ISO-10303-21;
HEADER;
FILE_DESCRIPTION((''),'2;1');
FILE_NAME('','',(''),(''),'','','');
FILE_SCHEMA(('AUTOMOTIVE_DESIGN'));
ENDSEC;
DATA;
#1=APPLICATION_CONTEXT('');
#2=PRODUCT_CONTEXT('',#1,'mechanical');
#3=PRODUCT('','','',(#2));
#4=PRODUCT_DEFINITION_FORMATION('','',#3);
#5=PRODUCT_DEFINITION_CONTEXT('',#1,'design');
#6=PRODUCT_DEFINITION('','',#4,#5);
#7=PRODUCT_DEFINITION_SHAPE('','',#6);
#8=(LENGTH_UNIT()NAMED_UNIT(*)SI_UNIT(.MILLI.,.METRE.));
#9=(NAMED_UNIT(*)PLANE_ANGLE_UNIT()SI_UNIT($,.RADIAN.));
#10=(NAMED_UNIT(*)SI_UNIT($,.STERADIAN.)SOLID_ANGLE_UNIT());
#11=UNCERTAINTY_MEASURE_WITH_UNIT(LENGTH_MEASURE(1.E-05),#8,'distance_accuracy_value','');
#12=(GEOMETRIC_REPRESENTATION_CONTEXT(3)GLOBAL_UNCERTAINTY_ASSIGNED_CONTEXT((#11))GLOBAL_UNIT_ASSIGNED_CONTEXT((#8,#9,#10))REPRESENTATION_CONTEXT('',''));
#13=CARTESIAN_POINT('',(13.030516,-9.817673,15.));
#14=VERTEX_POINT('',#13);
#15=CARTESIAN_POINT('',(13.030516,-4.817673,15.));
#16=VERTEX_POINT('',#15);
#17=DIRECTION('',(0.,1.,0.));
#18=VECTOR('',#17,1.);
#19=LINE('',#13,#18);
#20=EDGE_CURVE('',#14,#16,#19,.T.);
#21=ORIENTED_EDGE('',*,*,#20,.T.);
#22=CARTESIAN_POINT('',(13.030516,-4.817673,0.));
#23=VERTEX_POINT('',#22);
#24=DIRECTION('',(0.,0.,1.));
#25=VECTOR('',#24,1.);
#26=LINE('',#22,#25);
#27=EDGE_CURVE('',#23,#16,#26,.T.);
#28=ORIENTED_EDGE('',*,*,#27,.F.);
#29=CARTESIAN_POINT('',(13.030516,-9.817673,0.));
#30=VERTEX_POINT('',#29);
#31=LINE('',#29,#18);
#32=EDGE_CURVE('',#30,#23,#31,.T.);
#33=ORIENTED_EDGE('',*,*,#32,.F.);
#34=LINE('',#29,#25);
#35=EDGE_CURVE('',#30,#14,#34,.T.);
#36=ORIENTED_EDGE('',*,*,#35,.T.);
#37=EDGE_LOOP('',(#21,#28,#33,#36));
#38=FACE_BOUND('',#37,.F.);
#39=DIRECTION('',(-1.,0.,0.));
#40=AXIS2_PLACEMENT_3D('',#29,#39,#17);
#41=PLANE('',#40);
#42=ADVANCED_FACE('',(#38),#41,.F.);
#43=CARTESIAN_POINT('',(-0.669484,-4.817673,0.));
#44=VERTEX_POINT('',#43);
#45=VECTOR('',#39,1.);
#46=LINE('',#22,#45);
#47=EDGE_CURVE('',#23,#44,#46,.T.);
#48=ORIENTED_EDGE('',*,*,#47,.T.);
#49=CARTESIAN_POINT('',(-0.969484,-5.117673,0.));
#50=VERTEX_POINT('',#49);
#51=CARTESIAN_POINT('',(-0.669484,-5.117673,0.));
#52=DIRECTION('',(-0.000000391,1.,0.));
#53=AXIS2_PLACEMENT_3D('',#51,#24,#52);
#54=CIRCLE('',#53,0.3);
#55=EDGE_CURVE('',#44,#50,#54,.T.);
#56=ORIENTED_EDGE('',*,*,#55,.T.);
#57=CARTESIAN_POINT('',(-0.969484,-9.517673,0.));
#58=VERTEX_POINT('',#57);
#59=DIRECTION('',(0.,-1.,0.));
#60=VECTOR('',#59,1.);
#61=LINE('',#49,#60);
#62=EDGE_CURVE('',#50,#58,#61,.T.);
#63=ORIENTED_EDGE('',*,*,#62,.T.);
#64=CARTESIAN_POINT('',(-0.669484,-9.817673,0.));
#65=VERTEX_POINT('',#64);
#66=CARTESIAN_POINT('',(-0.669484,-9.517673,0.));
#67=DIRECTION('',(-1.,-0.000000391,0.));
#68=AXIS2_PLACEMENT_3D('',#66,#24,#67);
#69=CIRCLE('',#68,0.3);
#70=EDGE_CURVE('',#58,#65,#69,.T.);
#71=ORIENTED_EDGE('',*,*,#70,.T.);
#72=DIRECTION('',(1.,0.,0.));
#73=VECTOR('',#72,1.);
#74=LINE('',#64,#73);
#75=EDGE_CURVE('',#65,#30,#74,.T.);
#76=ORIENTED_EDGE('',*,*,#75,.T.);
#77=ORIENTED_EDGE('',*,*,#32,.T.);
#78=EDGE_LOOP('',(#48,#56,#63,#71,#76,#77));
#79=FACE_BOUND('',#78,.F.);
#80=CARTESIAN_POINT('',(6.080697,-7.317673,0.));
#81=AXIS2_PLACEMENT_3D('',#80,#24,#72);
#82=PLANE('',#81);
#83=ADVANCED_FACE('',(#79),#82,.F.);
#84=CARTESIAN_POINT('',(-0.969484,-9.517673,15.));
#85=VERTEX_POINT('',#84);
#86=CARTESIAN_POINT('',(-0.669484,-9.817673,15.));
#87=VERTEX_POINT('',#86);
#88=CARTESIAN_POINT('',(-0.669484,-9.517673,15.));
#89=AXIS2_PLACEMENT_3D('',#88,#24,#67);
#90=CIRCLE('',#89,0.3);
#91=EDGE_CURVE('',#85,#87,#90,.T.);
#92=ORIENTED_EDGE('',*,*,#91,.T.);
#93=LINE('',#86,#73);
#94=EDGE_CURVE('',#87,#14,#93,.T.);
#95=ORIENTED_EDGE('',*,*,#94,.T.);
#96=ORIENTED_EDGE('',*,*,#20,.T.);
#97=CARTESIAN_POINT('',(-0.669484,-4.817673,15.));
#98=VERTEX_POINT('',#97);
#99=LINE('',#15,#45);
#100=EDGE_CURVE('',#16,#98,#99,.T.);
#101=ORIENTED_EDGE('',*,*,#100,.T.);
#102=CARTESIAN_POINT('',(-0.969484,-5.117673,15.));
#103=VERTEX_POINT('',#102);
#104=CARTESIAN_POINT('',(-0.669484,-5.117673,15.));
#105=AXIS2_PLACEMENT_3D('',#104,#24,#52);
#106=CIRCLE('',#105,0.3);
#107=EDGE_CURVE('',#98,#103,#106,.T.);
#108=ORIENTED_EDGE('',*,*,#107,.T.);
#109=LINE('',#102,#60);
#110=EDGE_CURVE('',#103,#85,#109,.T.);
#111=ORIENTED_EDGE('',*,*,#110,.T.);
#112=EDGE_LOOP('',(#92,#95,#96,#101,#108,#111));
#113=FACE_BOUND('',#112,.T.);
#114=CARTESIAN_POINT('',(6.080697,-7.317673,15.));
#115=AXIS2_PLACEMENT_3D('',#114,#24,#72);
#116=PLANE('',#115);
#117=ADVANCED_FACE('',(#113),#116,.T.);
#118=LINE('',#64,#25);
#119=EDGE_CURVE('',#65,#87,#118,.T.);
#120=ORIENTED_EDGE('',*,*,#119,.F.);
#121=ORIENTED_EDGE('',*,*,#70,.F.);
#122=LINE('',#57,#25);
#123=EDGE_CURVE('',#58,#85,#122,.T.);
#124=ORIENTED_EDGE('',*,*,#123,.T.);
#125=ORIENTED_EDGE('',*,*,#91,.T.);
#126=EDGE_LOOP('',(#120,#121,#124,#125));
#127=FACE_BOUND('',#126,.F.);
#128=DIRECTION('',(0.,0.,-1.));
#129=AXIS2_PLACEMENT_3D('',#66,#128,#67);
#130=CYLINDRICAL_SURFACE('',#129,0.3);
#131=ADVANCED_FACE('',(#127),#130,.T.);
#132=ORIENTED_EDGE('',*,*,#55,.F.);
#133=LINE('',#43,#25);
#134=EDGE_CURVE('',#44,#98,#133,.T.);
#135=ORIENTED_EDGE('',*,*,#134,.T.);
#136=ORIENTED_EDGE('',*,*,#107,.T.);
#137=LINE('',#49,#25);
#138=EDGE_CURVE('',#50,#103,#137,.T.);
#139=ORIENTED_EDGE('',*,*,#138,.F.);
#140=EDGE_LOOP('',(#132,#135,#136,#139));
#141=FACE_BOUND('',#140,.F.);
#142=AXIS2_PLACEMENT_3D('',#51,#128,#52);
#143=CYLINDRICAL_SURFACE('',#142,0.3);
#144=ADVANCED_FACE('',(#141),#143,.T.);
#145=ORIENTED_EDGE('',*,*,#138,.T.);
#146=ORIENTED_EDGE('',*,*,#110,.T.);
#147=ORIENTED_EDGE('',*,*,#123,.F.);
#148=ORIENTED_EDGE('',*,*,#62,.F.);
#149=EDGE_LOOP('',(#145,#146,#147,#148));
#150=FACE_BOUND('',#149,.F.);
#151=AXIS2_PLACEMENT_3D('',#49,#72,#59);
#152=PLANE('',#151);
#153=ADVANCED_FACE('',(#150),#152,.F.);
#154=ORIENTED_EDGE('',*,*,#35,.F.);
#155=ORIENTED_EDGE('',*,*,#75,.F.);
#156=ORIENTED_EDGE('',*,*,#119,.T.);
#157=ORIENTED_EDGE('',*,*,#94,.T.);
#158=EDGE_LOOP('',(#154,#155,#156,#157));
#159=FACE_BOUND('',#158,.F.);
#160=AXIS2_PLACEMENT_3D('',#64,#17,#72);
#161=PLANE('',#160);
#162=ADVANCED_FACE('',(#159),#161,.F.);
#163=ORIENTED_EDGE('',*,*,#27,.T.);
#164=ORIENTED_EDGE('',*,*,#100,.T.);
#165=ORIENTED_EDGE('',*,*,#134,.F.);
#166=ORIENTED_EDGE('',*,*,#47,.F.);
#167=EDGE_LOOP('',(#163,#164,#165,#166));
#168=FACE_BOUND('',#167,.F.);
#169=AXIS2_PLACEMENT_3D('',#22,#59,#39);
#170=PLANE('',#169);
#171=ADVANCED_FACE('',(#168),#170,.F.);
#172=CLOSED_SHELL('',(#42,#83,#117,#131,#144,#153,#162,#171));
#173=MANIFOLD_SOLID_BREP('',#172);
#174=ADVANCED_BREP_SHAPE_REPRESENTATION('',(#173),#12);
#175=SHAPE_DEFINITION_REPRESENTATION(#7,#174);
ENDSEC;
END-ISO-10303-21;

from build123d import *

# Parameters (mm, degrees)
F1_DEPTH = 15


with BuildPart() as f1:
    # F0 (on Top) → F1 (new body)
    with BuildSketch(Plane.XY):
        with BuildLine():
            Line((13.030516, -4.817673), (-0.669484, -4.817673))
            ThreePointArc((-0.669484, -4.817673), (-0.881616, -4.905541), (-0.969484, -5.117673))
            Line((-0.969484, -5.117673), (-0.969484, -9.517673))
            ThreePointArc((-0.969484, -9.517673), (-0.881616, -9.729805), (-0.669484, -9.817673))
            Line((-0.669484, -9.817673), (13.030516, -9.817673))
            Line((13.030516, -9.817673), (13.030516, -4.817673))
        make_face()
    extrude(amount=F1_DEPTH)


solid = f1.part
